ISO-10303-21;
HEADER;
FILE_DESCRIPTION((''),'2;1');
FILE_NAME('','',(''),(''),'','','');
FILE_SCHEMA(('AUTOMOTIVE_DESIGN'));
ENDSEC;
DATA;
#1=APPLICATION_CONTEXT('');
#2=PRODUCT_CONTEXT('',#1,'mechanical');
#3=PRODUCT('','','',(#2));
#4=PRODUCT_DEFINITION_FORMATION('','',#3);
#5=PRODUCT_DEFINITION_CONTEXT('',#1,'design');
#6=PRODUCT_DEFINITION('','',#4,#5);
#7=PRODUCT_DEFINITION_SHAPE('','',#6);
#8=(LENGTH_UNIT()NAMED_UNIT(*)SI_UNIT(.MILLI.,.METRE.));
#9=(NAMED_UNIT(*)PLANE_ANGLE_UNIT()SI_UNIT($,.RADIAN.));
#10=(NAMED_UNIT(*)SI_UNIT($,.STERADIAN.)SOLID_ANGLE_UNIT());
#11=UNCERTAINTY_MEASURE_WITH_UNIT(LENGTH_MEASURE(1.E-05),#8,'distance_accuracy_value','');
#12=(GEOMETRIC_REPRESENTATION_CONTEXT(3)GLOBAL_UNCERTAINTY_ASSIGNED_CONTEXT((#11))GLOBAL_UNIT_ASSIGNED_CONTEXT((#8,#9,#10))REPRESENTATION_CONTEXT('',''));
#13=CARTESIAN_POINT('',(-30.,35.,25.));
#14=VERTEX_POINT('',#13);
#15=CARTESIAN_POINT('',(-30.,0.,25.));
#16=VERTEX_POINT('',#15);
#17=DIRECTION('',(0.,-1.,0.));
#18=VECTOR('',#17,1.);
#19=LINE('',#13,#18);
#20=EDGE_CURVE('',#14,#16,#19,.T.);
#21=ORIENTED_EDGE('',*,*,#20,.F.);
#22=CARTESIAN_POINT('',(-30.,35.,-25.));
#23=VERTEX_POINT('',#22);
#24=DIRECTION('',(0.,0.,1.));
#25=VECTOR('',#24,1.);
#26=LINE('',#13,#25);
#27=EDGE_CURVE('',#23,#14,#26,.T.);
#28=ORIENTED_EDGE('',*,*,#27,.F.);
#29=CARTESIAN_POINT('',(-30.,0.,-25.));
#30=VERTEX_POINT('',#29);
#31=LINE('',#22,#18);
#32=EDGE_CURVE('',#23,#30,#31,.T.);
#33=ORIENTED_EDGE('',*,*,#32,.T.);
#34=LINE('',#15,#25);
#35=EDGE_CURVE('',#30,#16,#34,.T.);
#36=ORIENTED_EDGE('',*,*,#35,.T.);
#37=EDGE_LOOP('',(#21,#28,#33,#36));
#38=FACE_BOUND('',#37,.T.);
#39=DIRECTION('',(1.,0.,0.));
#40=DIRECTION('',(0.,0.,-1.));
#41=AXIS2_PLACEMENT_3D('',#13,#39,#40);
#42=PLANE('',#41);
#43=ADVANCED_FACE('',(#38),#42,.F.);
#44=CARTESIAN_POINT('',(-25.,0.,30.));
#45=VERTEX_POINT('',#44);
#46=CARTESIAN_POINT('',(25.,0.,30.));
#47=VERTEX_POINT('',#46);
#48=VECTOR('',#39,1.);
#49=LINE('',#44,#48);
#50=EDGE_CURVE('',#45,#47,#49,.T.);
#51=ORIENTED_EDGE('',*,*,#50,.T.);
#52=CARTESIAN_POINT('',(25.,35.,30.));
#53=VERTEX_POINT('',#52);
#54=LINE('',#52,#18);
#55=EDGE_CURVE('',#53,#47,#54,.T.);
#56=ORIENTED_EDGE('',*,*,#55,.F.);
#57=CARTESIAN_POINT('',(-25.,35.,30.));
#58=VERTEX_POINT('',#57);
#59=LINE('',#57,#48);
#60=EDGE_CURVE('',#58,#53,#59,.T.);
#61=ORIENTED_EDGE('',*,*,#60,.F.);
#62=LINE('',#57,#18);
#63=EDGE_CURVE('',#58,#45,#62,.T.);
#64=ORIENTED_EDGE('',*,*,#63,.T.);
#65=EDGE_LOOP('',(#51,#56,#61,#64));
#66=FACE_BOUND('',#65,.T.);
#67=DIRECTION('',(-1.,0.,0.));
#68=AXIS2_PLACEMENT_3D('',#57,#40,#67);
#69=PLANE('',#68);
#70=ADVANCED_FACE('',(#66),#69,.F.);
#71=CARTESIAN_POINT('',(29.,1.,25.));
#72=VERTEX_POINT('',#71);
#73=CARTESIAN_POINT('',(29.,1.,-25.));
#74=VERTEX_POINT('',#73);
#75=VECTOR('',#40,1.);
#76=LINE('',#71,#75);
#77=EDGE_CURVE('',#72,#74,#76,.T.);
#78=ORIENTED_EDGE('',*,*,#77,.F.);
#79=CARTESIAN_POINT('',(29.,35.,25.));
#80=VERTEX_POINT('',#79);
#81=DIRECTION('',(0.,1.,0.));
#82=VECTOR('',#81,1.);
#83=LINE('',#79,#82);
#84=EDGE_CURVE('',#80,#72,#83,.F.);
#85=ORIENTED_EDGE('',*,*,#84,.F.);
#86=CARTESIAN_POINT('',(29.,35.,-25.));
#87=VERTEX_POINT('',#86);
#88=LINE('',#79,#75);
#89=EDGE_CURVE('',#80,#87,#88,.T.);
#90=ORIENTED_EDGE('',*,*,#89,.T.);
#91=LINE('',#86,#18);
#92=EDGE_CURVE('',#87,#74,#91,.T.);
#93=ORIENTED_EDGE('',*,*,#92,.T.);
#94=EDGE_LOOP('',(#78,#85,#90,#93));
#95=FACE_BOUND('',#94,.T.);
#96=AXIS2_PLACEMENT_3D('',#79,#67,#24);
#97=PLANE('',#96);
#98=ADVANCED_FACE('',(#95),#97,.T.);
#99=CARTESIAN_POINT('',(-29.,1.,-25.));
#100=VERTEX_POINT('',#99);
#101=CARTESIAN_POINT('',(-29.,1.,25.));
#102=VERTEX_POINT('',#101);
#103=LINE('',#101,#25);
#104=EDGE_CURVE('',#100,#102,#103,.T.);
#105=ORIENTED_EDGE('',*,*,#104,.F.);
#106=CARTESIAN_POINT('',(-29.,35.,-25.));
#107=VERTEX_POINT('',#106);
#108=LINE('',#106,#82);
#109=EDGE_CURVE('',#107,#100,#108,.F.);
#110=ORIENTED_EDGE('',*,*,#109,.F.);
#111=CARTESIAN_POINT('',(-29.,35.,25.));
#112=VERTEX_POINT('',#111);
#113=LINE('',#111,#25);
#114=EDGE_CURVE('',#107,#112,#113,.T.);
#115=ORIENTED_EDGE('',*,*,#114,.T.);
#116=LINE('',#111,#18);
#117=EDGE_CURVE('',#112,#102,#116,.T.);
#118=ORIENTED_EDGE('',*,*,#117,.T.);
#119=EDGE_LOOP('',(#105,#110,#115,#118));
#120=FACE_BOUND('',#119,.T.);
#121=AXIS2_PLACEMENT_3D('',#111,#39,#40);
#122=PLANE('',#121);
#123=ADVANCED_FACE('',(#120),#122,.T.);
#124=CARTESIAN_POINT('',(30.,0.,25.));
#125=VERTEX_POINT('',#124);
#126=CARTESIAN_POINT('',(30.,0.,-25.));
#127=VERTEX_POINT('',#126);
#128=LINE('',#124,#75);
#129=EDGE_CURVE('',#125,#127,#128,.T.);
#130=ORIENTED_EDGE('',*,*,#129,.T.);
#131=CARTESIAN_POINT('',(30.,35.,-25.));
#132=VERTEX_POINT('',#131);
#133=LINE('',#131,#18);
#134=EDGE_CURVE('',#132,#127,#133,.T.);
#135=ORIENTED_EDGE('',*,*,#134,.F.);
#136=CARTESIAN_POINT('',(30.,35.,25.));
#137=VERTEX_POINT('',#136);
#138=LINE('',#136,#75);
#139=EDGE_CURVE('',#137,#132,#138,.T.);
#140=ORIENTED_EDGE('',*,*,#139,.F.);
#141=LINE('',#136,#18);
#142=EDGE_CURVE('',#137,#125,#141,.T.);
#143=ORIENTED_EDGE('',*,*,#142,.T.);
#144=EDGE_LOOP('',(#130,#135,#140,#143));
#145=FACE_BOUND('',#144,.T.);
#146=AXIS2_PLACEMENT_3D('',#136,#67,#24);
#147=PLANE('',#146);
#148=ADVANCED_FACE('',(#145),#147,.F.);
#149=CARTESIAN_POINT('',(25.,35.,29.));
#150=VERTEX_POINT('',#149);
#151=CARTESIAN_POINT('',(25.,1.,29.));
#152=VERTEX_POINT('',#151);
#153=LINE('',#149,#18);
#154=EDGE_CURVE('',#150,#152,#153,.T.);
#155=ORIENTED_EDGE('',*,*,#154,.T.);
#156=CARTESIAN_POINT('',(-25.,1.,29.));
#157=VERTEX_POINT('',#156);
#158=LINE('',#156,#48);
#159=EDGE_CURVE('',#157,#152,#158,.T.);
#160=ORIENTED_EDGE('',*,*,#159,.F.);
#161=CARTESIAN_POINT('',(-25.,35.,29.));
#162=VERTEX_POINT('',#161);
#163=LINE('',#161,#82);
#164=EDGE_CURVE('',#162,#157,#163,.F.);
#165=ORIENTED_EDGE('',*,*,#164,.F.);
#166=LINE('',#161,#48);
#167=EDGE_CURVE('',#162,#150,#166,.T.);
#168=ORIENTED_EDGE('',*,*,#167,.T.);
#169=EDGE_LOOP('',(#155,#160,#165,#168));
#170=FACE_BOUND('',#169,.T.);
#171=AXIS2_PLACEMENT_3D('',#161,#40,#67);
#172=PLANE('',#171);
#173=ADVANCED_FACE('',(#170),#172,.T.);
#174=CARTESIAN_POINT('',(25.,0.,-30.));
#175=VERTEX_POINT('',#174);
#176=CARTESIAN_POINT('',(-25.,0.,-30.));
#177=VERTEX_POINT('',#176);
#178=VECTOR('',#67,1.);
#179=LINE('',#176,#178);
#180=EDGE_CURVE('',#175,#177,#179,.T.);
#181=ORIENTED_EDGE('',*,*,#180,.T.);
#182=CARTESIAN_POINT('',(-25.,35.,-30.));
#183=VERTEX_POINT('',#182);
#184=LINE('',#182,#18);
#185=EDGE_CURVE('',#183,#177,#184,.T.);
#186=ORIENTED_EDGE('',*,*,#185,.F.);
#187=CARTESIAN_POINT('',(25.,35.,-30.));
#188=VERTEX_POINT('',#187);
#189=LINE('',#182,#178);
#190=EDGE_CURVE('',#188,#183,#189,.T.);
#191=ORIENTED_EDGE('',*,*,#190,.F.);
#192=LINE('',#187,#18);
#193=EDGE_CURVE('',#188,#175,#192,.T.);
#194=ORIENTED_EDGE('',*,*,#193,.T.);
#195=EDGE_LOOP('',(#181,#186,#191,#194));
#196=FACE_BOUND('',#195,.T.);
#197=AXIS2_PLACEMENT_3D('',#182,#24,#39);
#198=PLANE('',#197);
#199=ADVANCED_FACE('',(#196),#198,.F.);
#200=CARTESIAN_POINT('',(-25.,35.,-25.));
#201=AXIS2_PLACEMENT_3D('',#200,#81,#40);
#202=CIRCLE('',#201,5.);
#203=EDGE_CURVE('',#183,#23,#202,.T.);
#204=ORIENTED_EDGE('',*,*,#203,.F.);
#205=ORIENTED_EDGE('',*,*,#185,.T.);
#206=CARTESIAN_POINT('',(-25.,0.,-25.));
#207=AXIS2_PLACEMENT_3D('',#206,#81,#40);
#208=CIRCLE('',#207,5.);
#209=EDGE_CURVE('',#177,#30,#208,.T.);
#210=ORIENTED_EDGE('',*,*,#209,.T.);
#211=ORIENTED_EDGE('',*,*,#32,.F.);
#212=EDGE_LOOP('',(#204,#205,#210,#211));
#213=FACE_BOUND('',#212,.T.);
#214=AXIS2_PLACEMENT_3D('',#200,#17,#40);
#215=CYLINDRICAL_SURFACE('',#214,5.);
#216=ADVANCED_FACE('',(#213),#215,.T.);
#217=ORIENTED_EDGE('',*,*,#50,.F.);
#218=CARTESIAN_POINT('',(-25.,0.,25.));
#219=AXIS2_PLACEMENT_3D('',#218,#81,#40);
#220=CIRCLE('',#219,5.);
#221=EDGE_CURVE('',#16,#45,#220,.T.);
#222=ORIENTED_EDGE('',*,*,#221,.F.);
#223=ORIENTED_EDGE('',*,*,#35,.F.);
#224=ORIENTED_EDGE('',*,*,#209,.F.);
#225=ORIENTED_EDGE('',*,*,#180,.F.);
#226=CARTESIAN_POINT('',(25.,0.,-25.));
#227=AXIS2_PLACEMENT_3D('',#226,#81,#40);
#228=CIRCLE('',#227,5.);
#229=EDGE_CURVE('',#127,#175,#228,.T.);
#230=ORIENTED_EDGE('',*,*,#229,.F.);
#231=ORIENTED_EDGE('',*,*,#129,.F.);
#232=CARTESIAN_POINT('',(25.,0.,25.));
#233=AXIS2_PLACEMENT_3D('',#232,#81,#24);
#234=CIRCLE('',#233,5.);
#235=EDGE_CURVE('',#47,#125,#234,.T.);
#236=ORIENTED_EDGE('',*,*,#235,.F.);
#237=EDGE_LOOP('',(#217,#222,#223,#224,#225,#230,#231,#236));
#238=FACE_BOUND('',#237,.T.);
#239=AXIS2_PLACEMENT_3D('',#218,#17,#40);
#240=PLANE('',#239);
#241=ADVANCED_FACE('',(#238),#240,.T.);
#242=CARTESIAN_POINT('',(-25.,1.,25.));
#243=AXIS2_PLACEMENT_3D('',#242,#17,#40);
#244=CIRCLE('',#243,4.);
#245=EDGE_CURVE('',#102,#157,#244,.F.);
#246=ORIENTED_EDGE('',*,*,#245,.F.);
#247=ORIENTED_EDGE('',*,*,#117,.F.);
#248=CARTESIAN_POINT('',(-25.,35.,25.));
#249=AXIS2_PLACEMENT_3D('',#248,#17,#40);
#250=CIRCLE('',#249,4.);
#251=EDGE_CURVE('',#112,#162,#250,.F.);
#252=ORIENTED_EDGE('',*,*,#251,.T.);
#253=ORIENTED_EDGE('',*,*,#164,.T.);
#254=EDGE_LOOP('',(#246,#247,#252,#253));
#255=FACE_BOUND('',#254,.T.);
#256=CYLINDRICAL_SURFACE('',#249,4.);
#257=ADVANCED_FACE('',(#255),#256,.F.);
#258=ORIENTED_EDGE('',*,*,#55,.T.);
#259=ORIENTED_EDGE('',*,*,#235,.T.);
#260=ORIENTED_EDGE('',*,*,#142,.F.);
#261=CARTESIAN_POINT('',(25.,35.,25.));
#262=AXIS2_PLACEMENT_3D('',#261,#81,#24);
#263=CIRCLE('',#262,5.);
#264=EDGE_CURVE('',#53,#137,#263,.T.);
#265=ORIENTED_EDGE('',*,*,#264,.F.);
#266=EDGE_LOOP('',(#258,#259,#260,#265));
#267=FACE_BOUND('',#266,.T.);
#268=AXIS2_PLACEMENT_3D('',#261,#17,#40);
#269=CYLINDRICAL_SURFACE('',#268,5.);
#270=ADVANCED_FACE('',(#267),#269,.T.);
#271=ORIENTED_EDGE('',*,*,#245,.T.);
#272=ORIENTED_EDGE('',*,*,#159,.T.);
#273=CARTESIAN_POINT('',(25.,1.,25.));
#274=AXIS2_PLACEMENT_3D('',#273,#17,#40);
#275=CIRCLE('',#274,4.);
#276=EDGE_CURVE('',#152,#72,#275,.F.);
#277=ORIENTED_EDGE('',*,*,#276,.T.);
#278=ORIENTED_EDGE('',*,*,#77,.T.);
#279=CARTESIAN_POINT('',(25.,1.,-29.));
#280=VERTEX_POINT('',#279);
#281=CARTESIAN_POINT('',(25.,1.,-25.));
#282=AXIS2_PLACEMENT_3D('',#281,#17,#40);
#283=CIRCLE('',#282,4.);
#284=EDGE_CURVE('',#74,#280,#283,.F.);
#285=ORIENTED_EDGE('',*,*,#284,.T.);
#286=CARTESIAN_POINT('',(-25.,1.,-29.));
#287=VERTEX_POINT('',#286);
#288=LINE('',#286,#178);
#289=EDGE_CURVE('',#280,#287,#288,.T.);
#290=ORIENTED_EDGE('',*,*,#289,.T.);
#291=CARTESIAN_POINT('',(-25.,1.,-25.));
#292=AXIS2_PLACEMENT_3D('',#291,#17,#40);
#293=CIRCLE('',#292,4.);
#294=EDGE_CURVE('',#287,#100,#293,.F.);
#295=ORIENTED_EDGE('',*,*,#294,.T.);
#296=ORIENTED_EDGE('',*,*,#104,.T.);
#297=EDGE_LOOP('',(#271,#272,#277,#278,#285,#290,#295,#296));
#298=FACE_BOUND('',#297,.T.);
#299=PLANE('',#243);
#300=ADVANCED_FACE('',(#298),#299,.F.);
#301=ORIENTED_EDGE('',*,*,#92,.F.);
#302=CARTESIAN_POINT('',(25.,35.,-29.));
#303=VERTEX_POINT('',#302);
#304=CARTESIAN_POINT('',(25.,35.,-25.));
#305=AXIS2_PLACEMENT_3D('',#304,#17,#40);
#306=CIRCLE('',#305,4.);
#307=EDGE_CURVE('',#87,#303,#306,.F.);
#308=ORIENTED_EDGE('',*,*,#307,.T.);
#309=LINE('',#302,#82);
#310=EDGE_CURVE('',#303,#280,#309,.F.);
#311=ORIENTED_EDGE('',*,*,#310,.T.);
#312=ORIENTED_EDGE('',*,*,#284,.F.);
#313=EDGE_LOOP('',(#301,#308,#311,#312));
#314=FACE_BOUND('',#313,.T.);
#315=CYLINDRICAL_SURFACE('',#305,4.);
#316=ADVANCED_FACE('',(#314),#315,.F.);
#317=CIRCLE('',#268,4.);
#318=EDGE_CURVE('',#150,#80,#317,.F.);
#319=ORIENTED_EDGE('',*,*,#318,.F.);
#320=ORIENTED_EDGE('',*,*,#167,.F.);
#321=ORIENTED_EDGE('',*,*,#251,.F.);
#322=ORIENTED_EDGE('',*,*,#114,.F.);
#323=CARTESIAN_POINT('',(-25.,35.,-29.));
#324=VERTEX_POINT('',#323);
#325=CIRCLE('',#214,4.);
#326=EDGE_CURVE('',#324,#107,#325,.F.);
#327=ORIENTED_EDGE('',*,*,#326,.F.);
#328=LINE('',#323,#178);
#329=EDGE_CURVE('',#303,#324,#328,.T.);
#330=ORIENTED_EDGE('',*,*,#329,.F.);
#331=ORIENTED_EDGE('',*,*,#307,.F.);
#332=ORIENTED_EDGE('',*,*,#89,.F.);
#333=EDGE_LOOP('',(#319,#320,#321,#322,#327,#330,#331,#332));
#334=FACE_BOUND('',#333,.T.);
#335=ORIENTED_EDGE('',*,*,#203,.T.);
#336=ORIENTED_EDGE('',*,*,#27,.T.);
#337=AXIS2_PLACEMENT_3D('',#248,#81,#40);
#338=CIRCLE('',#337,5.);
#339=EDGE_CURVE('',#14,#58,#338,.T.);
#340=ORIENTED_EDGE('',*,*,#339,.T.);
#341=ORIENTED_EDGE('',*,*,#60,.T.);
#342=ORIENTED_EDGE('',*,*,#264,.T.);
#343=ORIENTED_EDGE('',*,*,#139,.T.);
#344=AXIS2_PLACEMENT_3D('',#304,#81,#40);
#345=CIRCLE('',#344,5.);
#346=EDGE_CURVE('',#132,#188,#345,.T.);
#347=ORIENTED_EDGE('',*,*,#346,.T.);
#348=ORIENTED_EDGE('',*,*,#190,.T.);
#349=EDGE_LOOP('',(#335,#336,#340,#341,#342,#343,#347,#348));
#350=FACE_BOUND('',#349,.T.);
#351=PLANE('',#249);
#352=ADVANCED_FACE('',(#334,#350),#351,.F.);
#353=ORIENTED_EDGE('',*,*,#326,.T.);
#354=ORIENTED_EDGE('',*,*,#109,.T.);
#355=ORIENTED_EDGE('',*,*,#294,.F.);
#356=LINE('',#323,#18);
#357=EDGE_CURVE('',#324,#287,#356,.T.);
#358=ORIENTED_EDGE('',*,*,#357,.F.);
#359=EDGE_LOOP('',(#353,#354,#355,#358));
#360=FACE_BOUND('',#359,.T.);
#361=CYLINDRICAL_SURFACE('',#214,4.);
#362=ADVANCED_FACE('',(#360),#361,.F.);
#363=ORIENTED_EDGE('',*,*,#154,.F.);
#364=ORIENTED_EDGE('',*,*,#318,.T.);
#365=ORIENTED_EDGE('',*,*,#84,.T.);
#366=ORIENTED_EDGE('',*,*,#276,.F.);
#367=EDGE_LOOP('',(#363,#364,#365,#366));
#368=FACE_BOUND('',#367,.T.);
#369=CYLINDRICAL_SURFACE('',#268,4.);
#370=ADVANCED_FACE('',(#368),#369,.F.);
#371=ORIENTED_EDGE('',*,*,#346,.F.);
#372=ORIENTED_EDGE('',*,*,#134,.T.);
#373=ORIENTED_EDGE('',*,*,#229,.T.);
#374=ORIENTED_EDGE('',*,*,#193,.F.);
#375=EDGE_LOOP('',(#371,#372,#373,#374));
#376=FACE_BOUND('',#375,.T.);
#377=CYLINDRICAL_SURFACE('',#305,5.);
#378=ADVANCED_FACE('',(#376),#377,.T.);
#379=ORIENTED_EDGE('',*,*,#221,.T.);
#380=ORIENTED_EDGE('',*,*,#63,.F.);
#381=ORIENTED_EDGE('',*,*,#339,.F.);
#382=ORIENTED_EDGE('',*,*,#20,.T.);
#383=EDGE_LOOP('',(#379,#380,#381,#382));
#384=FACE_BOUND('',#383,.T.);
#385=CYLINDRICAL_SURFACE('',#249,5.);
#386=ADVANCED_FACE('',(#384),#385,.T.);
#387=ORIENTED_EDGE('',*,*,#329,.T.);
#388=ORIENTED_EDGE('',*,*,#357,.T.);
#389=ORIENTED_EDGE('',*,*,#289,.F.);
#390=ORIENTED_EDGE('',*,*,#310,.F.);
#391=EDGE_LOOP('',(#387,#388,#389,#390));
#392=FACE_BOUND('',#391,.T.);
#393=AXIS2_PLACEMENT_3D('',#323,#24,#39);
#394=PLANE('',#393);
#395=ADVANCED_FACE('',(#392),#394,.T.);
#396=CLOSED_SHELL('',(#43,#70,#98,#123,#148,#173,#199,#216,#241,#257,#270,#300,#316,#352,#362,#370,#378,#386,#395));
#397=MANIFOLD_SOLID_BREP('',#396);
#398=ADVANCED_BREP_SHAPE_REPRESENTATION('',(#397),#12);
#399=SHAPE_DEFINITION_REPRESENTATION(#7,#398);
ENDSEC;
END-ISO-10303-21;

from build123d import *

# Parameters (mm, degrees)
BOSS_EXTRUDE1_DEPTH = 35
SHELL1_T            = -1


with BuildPart() as part:
    # Sketch1 → Boss-Extrude1 (new body)
    with BuildSketch(Plane(origin=(0, 0, 0), x_dir=(1, 0, 0), z_dir=(0, 1, 0))):
        with BuildLine():
            Line((-25, -30), (25, -30))
            ThreePointArc((25, -30), (28.535533906, -28.535533906), (30, -25))
            Line((30, -25), (30, 25))
            ThreePointArc((30, 25), (28.535533906, 28.535533906), (25, 30))
            Line((25, 30), (-25, 30))
            ThreePointArc((-25, 30), (-28.535533906, 28.535533906), (-30, 25))
            Line((-30, 25), (-30, -25))
            ThreePointArc((-30, -25), (-28.535533906, -28.535533906), (-25, -30))
        make_face()
    extrude(amount=BOSS_EXTRUDE1_DEPTH)

    # Shell1
    shell1_openings = [part.faces().sort_by_distance(p)[0] for p in [
        (0, 35, 0),
    ]]
    offset(amount=SHELL1_T, openings=shell1_openings, kind=Kind.INTERSECTION)


solid = part.part
